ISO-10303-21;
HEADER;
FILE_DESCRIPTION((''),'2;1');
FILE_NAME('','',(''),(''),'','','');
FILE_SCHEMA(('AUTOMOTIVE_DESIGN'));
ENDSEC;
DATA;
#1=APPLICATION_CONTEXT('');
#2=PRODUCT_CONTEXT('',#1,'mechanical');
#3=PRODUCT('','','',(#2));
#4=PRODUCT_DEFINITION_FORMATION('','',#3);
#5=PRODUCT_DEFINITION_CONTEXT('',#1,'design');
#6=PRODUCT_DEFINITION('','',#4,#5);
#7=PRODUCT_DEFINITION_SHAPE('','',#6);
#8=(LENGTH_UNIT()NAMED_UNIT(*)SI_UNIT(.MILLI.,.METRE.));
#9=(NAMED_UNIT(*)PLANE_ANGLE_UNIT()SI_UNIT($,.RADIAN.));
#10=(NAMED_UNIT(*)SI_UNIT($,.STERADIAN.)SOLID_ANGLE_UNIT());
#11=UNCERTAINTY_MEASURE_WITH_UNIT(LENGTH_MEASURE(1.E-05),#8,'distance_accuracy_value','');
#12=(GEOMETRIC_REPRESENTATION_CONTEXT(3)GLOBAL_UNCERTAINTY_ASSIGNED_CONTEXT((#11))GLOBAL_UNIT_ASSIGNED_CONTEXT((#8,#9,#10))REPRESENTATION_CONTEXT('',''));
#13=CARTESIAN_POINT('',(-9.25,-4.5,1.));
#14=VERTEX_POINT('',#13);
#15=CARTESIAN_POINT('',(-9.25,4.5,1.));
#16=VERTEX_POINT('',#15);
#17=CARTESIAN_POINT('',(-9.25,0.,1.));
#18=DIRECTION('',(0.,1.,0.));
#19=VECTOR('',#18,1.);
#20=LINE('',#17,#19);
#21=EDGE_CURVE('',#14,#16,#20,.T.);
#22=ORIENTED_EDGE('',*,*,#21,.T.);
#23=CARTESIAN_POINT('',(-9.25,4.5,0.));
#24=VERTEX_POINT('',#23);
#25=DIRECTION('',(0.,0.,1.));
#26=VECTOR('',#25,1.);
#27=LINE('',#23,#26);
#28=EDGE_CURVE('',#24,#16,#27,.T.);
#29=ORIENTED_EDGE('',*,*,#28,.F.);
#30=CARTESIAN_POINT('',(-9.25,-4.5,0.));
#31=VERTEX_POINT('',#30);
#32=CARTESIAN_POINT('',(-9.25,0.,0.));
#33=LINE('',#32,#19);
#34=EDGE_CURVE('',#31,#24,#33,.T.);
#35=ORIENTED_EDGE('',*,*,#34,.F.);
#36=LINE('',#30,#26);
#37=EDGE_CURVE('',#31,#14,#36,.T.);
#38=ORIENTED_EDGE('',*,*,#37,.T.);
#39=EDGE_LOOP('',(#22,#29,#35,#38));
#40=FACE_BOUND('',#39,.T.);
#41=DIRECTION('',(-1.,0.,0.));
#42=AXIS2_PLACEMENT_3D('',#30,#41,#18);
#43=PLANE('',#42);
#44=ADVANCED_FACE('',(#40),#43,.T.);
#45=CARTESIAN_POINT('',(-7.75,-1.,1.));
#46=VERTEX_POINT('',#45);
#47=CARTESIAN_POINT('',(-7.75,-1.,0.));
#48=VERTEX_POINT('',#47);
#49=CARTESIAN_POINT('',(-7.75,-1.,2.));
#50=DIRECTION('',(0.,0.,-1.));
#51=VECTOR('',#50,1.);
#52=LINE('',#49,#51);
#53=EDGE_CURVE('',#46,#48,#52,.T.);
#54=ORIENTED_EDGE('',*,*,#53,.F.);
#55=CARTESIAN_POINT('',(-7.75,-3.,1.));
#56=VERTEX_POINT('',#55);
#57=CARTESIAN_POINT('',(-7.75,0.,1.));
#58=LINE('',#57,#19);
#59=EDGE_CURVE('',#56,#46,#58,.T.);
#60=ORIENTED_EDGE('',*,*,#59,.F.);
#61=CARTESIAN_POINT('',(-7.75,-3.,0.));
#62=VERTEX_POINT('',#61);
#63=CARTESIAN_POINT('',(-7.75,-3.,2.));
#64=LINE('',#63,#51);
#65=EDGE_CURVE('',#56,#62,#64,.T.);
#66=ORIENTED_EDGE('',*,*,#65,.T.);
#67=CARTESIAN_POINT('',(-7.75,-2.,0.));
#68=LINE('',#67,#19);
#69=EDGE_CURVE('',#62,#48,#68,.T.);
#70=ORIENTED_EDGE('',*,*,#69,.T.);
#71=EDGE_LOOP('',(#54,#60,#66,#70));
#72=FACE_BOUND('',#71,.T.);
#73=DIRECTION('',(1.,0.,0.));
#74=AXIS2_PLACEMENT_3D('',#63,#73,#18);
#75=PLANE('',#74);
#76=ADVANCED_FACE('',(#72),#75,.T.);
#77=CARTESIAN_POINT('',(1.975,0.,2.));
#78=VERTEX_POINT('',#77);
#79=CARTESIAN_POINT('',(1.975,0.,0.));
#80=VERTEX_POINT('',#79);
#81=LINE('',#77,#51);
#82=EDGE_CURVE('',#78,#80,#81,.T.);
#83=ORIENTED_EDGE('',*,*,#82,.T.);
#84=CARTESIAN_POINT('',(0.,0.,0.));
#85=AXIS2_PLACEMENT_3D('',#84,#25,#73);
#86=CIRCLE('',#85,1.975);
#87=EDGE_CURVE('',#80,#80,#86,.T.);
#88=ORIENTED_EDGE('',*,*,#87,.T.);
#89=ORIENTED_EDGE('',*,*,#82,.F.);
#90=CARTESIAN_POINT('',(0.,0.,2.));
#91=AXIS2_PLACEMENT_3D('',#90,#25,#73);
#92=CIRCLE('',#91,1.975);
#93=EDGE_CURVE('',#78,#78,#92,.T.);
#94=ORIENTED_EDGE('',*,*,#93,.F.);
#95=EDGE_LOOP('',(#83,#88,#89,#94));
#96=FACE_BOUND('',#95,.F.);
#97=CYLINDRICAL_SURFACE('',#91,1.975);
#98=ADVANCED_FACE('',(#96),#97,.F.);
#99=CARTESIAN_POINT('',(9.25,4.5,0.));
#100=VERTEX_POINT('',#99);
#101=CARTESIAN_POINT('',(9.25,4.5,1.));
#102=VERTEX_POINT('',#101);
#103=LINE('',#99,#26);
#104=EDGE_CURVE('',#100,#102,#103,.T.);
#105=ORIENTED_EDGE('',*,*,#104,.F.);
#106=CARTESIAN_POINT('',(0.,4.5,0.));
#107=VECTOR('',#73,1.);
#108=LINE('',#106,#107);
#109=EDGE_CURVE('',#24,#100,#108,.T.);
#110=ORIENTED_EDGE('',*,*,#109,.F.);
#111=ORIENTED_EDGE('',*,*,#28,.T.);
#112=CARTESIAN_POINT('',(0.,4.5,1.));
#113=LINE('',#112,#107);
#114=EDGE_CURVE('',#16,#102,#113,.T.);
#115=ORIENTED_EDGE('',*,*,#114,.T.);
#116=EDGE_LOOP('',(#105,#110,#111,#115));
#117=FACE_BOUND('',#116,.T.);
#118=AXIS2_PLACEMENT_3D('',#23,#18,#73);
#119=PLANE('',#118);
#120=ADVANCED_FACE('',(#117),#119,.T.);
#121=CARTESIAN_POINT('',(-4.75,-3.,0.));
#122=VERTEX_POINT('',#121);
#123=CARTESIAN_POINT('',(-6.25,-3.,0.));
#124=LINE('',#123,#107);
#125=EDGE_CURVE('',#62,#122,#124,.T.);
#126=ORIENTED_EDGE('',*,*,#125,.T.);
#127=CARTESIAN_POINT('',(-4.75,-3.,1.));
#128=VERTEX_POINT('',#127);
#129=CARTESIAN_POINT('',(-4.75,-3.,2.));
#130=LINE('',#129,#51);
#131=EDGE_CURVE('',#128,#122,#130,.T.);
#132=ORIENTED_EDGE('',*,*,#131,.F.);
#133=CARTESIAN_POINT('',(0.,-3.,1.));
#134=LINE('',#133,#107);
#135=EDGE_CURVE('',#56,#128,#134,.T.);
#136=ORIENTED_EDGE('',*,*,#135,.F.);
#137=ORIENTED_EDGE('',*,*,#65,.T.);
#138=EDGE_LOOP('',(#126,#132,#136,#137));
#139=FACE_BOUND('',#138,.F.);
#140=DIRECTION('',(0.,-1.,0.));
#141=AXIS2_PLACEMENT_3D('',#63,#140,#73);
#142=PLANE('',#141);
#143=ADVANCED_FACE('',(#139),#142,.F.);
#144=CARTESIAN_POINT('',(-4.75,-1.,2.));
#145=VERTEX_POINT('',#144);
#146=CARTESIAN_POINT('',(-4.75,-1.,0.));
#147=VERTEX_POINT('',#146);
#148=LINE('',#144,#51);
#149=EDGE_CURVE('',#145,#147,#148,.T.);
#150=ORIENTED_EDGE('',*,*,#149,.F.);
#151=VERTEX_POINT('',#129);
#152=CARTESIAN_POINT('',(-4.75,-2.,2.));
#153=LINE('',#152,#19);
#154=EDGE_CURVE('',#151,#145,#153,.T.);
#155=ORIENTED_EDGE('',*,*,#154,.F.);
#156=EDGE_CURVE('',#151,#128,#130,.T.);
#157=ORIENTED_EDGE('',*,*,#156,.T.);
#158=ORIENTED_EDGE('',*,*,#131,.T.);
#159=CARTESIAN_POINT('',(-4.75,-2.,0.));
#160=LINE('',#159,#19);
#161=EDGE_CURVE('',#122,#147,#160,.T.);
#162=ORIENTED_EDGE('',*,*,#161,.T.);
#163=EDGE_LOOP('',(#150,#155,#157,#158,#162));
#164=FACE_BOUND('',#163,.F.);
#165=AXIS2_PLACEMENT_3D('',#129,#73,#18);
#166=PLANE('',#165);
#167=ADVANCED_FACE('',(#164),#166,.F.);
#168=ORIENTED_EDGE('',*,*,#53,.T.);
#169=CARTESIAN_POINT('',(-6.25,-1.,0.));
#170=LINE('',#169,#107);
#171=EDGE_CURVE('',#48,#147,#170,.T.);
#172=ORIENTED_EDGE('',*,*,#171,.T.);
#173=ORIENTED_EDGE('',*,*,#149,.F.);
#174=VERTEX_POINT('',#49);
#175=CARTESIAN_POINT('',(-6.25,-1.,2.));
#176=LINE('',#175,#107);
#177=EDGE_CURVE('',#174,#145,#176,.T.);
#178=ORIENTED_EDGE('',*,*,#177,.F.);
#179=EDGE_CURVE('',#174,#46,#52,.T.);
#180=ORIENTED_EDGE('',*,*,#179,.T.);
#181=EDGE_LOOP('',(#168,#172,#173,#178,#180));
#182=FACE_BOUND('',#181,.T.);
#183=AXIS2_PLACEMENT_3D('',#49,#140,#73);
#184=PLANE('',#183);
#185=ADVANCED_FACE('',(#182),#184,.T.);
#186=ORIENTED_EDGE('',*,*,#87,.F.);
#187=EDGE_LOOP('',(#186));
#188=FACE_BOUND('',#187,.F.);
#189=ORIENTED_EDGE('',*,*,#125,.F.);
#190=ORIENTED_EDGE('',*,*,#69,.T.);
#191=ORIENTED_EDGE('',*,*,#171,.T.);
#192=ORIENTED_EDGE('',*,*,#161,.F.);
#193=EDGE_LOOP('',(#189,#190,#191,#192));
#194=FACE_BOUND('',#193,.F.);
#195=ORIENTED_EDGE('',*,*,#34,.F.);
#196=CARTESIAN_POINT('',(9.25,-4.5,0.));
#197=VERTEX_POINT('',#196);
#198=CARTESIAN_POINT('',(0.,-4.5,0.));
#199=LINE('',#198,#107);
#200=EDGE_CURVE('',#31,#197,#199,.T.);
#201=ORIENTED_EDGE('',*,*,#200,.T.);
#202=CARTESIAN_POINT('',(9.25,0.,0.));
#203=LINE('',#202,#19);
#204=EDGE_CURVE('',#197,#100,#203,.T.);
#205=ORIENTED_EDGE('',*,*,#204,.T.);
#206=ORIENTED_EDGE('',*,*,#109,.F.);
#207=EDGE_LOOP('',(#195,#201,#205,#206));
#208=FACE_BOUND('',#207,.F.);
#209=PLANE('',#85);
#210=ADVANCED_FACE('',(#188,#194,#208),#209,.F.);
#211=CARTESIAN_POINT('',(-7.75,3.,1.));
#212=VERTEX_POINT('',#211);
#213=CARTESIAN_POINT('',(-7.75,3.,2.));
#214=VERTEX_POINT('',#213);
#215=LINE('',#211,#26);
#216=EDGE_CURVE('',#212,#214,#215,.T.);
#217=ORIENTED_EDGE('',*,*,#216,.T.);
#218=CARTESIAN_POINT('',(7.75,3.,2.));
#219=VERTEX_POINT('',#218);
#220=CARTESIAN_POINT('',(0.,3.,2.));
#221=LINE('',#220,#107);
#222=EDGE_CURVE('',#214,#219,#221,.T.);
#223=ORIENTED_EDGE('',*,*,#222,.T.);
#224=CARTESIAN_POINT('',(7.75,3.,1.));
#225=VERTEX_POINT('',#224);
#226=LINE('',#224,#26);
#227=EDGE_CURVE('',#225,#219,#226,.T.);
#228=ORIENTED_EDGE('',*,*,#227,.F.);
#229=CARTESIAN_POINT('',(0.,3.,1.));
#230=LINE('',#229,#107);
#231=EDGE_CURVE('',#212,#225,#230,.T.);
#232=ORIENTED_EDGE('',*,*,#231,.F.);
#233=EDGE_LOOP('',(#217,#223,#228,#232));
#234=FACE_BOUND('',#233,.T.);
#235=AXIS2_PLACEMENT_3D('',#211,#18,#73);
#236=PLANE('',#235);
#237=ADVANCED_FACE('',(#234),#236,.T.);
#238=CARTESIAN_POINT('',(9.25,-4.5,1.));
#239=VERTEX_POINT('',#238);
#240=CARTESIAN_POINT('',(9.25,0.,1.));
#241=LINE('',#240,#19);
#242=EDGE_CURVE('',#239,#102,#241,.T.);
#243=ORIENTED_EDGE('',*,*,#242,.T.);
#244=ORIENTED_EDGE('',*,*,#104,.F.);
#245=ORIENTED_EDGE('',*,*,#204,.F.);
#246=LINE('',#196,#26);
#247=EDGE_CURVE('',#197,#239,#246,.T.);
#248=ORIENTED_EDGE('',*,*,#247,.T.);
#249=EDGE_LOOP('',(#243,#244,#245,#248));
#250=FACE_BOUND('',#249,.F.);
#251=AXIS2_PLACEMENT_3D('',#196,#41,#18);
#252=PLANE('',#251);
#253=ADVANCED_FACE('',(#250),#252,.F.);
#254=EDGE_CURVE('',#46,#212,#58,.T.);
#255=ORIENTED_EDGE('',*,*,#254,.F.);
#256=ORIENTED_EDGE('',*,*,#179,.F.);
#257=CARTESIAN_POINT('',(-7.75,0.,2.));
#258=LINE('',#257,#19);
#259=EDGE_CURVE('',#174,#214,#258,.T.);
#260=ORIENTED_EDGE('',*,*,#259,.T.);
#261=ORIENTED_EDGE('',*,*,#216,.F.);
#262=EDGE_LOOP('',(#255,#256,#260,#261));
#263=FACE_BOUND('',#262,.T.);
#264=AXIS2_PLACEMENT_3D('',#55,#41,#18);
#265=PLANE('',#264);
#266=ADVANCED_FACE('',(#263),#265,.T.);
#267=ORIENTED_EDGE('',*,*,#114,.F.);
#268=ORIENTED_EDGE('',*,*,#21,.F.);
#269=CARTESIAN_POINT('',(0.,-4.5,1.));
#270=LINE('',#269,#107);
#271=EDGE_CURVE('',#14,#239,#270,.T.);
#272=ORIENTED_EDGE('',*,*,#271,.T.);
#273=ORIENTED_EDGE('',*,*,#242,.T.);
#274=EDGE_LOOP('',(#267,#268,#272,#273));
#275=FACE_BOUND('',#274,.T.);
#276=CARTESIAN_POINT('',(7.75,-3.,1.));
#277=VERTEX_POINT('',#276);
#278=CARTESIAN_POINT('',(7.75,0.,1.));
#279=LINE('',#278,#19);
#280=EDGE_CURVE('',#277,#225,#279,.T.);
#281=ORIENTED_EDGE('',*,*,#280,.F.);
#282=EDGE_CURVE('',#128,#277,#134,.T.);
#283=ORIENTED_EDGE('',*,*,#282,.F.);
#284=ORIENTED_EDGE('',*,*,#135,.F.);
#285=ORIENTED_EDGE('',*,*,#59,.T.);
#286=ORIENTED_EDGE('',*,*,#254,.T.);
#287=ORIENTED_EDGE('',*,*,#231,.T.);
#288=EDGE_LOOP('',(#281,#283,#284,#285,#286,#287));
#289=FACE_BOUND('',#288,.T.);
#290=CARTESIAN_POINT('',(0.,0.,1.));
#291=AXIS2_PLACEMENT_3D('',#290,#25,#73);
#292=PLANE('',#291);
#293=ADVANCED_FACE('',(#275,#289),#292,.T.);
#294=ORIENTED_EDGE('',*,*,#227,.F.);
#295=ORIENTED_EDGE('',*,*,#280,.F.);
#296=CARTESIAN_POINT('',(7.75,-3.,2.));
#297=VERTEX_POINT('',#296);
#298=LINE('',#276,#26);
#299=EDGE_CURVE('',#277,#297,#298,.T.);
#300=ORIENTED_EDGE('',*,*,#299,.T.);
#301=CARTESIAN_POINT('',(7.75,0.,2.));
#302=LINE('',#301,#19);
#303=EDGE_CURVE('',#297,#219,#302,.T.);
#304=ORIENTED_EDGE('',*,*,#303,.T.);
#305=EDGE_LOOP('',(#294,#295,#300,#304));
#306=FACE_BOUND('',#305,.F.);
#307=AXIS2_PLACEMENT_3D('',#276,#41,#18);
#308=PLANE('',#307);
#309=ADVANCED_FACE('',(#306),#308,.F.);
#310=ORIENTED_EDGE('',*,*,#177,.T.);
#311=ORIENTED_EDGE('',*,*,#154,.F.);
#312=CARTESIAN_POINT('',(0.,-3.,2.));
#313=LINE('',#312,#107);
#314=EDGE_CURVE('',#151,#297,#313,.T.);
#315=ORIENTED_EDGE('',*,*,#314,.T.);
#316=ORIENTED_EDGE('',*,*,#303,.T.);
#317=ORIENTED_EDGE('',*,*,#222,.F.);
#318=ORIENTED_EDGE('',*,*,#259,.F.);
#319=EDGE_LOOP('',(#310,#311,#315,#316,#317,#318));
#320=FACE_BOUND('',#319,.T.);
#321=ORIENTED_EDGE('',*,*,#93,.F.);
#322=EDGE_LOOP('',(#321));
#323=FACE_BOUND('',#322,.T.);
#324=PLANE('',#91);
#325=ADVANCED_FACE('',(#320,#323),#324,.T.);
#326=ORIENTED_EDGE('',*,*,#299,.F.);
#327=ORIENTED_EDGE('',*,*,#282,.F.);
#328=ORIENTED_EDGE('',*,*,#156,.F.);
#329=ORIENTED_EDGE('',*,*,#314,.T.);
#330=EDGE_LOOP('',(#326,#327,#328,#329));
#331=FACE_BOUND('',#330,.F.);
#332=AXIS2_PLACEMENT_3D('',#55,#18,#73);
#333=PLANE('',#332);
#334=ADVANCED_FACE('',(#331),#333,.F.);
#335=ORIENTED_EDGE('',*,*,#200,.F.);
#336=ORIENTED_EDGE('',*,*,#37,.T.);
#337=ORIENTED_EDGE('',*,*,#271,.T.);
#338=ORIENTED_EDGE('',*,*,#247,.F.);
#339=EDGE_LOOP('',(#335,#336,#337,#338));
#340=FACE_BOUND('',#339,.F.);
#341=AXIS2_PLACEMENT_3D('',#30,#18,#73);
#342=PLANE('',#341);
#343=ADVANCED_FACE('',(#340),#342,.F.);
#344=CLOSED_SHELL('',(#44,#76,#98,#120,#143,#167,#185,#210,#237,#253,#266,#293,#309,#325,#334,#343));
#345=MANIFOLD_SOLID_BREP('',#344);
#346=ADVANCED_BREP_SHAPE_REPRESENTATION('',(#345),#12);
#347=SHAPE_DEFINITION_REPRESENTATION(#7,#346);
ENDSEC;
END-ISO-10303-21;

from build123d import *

# Parameters (mm, degrees)
F0_W     = 18.5
F0_H     = 9
F1_DEPTH = 1
F2_W     = 15.5
F2_H     = 6
F3_DEPTH = 1
F4_R     = 1.975
F4_W     = 3
F4_H     = 2
F5_DEPTH = 2


with BuildPart() as f1:
    # F0 (on Top) → F1 (new body)
    with BuildSketch(Plane.XY):
        Rectangle(F0_W, F0_H)
    extrude(amount=F1_DEPTH)

    # F2 (on face) → F3 (join)
    with BuildSketch(Plane.XY.offset(1)):
        Rectangle(F2_W, F2_H)
    extrude(amount=F3_DEPTH)

    # F4 (on face) → F5 (cut)
    with BuildSketch(Plane.XY.offset(2)):
        Circle(F4_R)
        with Locations((-6.25, -2)):
            Rectangle(F4_W, F4_H)
    extrude(amount=-F5_DEPTH, mode=Mode.SUBTRACT)


solid = f1.part
